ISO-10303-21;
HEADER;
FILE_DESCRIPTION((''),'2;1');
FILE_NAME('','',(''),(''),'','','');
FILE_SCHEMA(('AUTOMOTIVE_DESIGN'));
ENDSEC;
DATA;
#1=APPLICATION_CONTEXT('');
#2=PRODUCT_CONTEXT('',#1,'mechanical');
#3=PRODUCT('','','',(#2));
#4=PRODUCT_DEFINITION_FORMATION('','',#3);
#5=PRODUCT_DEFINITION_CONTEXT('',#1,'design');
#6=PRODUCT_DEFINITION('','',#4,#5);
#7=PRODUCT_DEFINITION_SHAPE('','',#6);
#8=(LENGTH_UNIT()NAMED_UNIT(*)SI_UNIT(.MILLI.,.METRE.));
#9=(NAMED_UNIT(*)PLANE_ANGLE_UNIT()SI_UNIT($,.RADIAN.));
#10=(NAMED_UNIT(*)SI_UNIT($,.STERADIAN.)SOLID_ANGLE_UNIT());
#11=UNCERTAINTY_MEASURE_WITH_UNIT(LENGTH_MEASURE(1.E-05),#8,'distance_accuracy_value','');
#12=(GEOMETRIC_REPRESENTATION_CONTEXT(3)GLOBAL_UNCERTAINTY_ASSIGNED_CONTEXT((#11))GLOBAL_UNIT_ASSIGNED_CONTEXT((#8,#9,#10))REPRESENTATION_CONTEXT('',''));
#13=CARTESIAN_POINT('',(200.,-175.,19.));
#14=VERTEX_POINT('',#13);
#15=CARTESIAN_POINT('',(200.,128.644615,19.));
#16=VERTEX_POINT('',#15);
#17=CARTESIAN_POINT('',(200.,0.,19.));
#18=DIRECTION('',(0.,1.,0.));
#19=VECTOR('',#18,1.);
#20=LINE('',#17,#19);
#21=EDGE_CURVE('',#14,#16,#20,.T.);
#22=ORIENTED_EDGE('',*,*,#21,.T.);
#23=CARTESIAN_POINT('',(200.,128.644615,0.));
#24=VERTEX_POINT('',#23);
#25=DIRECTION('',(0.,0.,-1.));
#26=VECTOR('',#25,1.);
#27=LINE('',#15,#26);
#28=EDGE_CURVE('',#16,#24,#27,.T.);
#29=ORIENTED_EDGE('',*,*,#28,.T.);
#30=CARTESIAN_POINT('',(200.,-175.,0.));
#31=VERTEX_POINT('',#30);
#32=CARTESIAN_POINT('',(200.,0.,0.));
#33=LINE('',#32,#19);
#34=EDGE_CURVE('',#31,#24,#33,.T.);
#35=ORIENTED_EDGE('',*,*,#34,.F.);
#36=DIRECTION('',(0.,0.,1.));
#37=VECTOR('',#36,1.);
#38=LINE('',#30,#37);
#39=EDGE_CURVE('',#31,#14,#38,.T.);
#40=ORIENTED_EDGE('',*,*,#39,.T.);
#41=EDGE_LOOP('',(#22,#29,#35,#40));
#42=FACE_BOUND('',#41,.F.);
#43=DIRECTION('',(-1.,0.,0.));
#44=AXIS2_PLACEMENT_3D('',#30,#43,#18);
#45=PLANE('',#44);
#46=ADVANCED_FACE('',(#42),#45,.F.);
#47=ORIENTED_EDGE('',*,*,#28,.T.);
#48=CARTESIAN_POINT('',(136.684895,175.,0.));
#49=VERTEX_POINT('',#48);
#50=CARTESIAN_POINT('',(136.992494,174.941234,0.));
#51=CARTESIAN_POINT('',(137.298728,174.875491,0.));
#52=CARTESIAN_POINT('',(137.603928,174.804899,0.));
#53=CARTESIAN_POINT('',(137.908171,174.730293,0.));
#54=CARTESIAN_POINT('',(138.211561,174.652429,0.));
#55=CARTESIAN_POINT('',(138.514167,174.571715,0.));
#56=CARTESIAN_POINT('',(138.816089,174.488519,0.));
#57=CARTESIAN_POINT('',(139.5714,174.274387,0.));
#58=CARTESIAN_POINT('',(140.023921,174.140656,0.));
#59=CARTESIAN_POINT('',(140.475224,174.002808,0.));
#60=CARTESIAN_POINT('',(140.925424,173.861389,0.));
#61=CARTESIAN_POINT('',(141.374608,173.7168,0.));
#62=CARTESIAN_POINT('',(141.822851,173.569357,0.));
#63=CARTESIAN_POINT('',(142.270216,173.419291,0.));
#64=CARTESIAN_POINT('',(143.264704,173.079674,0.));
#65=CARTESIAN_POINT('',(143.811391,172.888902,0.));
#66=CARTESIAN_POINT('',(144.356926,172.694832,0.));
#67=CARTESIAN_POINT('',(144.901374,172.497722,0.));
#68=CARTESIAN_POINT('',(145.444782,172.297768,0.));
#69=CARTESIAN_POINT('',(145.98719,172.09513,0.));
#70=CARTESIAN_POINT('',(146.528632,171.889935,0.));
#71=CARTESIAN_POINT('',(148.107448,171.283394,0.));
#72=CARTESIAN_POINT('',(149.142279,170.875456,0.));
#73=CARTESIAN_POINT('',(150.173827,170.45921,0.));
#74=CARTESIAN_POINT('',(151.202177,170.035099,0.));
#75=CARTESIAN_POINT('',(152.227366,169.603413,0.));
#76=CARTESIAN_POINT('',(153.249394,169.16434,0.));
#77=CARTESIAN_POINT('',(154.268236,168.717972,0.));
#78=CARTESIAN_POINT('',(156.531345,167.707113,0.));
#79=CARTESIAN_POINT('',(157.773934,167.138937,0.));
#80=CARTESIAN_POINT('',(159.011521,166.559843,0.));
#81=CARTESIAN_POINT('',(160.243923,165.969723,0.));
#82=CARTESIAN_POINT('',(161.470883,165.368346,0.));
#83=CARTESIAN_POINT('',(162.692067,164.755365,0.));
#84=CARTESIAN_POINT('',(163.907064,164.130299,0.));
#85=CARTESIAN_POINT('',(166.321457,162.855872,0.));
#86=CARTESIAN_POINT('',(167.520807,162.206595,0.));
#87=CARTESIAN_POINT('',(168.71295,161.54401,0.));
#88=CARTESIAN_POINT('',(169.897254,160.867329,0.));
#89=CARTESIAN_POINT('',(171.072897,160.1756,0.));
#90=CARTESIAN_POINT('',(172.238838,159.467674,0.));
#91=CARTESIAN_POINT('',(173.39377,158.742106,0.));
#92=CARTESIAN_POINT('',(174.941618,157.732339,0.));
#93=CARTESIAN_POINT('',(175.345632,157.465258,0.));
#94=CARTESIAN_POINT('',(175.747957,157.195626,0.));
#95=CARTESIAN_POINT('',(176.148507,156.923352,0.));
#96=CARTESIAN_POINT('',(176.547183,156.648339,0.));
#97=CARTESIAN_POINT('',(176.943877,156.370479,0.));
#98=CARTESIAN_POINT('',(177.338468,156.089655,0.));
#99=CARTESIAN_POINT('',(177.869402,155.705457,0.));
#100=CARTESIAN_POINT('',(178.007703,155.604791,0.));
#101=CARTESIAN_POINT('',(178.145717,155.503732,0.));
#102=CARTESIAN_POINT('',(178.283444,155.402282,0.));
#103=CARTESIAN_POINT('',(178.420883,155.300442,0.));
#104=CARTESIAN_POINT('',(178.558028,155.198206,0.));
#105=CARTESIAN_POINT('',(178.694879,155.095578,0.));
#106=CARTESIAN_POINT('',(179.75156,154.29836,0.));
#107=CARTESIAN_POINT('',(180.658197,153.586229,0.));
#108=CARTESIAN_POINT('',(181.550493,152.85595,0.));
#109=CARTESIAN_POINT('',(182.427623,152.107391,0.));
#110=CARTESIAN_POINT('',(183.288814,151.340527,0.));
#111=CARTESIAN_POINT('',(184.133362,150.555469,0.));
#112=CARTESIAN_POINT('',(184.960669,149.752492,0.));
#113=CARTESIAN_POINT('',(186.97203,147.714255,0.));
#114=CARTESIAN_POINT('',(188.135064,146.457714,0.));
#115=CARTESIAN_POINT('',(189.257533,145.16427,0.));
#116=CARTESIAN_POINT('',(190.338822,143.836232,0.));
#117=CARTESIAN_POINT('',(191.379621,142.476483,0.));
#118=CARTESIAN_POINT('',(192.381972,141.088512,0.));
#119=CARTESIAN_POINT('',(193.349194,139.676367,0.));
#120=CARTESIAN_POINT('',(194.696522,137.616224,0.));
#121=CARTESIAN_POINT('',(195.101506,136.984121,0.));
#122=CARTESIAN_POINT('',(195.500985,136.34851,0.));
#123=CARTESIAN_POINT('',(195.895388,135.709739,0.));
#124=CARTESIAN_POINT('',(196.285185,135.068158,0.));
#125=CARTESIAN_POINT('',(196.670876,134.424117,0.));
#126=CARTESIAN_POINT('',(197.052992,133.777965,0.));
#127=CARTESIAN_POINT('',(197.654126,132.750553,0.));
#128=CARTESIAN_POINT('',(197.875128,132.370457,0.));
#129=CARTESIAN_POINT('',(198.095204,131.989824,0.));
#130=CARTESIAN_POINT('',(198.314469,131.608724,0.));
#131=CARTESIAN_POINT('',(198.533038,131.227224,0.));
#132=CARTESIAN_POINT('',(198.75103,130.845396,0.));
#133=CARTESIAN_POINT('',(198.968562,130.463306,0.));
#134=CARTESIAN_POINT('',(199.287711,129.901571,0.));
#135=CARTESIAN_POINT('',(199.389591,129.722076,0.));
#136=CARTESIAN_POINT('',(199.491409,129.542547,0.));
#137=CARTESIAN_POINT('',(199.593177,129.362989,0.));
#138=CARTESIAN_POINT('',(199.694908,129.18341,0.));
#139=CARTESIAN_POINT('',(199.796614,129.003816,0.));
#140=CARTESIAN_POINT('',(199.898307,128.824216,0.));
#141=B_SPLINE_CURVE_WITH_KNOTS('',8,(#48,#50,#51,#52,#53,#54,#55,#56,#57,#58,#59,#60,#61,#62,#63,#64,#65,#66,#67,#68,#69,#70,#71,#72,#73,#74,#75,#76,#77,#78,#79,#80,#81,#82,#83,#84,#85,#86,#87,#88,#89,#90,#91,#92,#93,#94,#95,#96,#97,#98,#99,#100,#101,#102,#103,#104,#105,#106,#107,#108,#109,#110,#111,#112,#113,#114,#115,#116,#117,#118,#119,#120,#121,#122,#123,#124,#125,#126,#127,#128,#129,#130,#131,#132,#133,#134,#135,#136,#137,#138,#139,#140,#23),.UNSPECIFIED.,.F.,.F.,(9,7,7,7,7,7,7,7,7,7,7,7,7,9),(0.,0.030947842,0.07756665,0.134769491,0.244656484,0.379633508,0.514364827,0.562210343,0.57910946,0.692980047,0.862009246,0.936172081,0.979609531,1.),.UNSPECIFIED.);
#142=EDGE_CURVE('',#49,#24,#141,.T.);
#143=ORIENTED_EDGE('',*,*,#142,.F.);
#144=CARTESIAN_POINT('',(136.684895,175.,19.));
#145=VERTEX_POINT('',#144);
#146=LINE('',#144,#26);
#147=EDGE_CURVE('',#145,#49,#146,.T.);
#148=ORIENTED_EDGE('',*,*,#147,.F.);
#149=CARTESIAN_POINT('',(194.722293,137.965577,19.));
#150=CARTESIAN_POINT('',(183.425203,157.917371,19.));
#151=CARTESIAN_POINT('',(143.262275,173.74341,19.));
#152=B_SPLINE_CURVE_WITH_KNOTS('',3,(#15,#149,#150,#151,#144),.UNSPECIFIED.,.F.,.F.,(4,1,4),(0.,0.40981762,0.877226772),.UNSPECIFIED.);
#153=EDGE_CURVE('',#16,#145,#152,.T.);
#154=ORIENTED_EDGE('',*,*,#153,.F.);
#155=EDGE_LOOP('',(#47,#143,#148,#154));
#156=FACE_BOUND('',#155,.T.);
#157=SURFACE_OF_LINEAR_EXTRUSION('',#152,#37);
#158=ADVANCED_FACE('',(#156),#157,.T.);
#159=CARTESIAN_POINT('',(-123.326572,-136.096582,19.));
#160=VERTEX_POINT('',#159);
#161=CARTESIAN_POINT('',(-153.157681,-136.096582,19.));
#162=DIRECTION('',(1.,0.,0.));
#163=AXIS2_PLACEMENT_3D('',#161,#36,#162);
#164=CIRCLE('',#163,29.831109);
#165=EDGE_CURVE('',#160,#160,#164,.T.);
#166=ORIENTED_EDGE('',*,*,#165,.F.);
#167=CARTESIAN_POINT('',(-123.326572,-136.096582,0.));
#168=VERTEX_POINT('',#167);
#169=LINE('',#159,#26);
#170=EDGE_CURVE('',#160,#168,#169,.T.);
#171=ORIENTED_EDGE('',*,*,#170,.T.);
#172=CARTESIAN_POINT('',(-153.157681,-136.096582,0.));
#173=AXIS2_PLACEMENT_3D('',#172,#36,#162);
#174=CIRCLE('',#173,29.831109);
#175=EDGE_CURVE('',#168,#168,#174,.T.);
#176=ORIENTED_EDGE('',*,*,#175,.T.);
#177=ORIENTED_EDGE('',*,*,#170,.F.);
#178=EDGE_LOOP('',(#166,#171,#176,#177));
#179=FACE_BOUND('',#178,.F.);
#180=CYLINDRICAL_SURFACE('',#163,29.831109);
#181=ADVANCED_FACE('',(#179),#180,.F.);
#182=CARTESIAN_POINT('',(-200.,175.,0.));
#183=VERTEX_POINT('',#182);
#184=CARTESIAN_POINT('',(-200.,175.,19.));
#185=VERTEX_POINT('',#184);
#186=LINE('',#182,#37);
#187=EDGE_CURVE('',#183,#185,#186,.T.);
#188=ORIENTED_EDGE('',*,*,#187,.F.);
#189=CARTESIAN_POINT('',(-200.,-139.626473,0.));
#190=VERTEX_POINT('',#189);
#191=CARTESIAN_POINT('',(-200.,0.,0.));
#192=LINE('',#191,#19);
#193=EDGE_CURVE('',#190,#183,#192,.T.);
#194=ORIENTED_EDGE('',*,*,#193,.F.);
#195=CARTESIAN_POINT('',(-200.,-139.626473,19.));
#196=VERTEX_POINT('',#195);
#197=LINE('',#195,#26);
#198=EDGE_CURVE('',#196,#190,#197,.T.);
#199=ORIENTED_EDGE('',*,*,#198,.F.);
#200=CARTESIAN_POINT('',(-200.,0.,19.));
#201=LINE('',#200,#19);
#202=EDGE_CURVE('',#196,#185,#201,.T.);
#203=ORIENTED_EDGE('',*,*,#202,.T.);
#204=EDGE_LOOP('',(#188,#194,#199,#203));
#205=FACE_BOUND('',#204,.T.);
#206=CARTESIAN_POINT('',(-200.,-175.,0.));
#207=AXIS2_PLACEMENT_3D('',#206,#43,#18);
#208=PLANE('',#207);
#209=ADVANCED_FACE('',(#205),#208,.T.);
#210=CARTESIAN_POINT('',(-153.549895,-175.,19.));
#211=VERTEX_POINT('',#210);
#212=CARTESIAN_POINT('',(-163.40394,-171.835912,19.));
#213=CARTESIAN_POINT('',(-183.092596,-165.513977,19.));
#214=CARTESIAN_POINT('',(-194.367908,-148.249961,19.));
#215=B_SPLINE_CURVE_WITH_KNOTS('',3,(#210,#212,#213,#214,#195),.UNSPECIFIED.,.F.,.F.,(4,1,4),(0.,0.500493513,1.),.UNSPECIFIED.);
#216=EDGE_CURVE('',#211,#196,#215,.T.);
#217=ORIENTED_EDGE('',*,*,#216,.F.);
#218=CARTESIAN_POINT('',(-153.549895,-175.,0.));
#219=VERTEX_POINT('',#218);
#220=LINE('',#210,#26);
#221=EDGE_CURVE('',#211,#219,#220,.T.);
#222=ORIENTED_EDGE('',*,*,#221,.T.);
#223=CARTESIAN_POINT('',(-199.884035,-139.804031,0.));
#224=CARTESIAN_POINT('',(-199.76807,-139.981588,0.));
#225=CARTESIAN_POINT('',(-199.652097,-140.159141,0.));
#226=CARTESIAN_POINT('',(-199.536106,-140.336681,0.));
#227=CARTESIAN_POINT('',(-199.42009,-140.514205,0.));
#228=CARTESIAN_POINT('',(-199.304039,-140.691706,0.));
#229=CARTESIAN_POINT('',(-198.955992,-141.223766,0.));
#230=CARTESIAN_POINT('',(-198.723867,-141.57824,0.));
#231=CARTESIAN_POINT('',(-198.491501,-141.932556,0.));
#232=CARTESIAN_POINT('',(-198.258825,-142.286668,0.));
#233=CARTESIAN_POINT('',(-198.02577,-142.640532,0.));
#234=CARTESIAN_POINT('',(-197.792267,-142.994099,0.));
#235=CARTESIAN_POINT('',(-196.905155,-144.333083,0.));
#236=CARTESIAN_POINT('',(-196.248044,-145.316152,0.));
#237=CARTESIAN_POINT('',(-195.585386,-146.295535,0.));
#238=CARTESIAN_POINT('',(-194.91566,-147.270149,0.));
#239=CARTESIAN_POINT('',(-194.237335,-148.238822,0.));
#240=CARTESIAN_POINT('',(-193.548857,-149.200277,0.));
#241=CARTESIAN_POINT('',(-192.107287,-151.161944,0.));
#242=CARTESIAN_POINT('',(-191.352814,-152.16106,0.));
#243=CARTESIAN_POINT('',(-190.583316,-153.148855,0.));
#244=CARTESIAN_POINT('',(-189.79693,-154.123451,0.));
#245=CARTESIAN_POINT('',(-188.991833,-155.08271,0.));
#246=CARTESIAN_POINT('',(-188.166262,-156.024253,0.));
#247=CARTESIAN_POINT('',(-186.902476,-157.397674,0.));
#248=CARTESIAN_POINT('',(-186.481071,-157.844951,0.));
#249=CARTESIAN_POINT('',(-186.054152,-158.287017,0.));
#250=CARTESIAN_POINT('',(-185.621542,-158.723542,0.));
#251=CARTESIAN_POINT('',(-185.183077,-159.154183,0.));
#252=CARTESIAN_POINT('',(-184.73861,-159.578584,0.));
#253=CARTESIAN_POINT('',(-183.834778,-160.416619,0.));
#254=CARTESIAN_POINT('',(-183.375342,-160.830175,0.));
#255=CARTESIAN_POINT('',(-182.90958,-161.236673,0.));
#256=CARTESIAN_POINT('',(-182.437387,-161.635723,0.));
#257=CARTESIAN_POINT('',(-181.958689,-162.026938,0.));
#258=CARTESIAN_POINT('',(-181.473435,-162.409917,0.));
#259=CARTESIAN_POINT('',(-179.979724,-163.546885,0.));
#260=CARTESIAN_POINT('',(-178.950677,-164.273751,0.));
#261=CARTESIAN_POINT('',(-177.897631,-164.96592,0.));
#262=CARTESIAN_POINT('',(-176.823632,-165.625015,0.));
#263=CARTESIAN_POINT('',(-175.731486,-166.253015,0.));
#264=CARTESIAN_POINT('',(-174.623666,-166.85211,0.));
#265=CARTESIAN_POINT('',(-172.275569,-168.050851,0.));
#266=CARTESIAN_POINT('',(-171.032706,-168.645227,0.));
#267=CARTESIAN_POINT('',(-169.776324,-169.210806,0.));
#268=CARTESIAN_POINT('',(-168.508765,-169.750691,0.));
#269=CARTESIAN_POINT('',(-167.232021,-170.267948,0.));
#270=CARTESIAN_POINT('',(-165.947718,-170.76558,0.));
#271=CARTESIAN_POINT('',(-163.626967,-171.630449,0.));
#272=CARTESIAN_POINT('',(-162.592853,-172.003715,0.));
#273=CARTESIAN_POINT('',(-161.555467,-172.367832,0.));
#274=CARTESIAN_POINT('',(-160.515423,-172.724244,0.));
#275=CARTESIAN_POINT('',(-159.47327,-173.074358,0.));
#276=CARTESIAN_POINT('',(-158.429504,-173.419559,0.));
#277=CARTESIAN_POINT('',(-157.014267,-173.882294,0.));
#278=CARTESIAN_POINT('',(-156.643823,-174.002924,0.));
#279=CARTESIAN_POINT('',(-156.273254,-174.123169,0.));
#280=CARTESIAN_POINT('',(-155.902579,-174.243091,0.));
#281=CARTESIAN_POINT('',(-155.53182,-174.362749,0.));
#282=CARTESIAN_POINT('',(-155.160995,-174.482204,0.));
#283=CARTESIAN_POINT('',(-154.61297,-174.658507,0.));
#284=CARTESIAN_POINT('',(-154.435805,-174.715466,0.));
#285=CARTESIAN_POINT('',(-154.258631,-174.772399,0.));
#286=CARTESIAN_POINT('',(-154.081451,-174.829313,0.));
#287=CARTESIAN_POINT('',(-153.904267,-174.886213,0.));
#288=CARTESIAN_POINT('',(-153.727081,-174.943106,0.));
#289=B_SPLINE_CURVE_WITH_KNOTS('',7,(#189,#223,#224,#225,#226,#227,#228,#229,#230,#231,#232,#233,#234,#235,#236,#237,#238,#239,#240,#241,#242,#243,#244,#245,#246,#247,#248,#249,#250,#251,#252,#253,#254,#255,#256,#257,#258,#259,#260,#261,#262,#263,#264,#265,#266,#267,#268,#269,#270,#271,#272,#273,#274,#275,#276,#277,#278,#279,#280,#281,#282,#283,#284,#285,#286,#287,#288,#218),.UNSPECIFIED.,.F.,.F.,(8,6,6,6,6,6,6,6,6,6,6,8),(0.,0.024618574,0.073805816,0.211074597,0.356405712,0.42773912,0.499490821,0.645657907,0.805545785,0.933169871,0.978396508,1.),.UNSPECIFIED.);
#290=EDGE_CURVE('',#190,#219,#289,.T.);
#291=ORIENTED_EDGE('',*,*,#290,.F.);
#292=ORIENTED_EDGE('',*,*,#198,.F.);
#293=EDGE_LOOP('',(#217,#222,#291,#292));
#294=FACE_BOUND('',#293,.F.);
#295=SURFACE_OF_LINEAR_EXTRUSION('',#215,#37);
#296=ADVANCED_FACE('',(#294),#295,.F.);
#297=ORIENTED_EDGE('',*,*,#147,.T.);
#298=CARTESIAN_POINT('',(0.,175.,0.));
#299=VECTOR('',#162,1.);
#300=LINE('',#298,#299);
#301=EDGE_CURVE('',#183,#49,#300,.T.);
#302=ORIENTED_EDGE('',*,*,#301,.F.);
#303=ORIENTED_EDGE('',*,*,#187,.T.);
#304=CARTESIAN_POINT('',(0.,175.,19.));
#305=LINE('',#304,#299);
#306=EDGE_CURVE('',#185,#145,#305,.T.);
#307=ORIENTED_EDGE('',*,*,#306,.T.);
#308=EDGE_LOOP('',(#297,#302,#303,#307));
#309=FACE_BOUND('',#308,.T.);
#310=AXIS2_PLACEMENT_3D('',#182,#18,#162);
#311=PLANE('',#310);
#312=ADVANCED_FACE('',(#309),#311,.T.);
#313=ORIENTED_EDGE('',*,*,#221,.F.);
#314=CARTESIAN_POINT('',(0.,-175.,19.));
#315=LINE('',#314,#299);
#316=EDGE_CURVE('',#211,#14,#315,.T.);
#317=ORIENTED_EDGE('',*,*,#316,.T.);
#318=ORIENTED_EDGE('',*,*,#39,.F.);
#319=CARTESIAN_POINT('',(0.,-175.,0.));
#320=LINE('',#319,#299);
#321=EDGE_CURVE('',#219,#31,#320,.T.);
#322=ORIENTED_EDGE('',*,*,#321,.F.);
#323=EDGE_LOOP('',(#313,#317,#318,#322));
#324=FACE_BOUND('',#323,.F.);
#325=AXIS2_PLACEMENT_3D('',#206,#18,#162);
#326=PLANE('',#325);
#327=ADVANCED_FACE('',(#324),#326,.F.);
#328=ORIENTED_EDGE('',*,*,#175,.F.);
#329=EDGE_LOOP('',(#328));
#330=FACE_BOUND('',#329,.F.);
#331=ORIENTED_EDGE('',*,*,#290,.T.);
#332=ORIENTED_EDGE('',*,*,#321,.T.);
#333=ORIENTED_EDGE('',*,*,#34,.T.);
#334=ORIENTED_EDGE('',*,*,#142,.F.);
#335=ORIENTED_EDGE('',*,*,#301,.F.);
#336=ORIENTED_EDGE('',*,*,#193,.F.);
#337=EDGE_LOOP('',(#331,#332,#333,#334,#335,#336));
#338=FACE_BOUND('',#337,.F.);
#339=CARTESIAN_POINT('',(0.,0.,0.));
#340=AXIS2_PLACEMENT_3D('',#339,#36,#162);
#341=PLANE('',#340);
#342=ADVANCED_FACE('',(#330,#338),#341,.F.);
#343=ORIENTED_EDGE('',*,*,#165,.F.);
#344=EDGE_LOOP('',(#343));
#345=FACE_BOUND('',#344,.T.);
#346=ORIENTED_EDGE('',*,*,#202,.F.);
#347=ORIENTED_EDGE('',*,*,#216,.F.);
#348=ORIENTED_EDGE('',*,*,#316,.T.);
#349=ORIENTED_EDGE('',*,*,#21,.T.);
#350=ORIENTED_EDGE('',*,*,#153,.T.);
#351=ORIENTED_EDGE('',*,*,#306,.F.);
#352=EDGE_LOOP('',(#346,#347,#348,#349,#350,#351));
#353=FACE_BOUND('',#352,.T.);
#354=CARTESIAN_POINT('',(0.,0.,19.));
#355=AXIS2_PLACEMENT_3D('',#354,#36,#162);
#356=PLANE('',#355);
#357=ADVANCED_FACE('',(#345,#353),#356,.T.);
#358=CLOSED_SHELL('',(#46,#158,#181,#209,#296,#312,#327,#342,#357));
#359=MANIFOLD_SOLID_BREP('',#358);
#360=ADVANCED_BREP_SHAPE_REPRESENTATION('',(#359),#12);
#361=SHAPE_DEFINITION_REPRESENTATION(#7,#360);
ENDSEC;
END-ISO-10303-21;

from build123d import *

# Parameters (mm, degrees)
F0_W     = 400
F0_H     = 350
F1_DEPTH = 19
F3_DEPTH = 19.001
F5_DEPTH = 19.0010001
F6_R     = 29.8311092156
F7_DEPTH = 19.0010001


with BuildPart() as f1:
    # F0 (on Top) → F1 (new body)
    with BuildSketch(Plane.XY):
        Rectangle(F0_W, F0_H)
    extrude(amount=F1_DEPTH)

    # F2 (on face) → F3 (cut, through all)
    with BuildSketch(Plane.XY.offset(19)):
        with BuildLine():
            Line((-200, -175), (-153.5498946905, -175))
            add(Edge.make_bspline(
                [(-153.5498946905, -175), (-163.4039395761, -171.8359123662), (-183.0925961159, -165.5139770182), (-194.3679083837, -148.2499611163), (-200, -139.6264731884)],
                knots=[0, 0, 0, 0, 0.5004935134, 1, 1, 1, 1], degree=3))
            Line((-200, -139.6264731884), (-200, -175))
        make_face()
    extrude(amount=-F3_DEPTH, mode=Mode.SUBTRACT)

    # F4 (on face) → F5 (cut, through all)
    with BuildSketch(Plane.XY.offset(19)):
        with BuildLine():
            add(Edge.make_bspline(
                [(200, 128.6446154118), (194.7222925813, 137.9655766375), (183.4252032849, 157.9173706538), (143.2622746246, 173.7434099364), (136.6848945618, 175)],
                knots=[0, 0, 0, 0, 0.4098176195, 0.877226772, 0.877226772, 0.877226772, 0.877226772], degree=3))
            Line((200, 128.6446154118), (200, 175))
            Line((200, 175), (136.6848945618, 175))
        make_face()
    extrude(amount=-F5_DEPTH, mode=Mode.SUBTRACT)

    # F6 (on face) → F7 (cut, through all)
    with BuildSketch(Plane.XY.offset(19)):
        with Locations((-153.1576812267, -136.0965818167)):
            Circle(F6_R)
    extrude(amount=-F7_DEPTH, mode=Mode.SUBTRACT)


solid = f1.part
